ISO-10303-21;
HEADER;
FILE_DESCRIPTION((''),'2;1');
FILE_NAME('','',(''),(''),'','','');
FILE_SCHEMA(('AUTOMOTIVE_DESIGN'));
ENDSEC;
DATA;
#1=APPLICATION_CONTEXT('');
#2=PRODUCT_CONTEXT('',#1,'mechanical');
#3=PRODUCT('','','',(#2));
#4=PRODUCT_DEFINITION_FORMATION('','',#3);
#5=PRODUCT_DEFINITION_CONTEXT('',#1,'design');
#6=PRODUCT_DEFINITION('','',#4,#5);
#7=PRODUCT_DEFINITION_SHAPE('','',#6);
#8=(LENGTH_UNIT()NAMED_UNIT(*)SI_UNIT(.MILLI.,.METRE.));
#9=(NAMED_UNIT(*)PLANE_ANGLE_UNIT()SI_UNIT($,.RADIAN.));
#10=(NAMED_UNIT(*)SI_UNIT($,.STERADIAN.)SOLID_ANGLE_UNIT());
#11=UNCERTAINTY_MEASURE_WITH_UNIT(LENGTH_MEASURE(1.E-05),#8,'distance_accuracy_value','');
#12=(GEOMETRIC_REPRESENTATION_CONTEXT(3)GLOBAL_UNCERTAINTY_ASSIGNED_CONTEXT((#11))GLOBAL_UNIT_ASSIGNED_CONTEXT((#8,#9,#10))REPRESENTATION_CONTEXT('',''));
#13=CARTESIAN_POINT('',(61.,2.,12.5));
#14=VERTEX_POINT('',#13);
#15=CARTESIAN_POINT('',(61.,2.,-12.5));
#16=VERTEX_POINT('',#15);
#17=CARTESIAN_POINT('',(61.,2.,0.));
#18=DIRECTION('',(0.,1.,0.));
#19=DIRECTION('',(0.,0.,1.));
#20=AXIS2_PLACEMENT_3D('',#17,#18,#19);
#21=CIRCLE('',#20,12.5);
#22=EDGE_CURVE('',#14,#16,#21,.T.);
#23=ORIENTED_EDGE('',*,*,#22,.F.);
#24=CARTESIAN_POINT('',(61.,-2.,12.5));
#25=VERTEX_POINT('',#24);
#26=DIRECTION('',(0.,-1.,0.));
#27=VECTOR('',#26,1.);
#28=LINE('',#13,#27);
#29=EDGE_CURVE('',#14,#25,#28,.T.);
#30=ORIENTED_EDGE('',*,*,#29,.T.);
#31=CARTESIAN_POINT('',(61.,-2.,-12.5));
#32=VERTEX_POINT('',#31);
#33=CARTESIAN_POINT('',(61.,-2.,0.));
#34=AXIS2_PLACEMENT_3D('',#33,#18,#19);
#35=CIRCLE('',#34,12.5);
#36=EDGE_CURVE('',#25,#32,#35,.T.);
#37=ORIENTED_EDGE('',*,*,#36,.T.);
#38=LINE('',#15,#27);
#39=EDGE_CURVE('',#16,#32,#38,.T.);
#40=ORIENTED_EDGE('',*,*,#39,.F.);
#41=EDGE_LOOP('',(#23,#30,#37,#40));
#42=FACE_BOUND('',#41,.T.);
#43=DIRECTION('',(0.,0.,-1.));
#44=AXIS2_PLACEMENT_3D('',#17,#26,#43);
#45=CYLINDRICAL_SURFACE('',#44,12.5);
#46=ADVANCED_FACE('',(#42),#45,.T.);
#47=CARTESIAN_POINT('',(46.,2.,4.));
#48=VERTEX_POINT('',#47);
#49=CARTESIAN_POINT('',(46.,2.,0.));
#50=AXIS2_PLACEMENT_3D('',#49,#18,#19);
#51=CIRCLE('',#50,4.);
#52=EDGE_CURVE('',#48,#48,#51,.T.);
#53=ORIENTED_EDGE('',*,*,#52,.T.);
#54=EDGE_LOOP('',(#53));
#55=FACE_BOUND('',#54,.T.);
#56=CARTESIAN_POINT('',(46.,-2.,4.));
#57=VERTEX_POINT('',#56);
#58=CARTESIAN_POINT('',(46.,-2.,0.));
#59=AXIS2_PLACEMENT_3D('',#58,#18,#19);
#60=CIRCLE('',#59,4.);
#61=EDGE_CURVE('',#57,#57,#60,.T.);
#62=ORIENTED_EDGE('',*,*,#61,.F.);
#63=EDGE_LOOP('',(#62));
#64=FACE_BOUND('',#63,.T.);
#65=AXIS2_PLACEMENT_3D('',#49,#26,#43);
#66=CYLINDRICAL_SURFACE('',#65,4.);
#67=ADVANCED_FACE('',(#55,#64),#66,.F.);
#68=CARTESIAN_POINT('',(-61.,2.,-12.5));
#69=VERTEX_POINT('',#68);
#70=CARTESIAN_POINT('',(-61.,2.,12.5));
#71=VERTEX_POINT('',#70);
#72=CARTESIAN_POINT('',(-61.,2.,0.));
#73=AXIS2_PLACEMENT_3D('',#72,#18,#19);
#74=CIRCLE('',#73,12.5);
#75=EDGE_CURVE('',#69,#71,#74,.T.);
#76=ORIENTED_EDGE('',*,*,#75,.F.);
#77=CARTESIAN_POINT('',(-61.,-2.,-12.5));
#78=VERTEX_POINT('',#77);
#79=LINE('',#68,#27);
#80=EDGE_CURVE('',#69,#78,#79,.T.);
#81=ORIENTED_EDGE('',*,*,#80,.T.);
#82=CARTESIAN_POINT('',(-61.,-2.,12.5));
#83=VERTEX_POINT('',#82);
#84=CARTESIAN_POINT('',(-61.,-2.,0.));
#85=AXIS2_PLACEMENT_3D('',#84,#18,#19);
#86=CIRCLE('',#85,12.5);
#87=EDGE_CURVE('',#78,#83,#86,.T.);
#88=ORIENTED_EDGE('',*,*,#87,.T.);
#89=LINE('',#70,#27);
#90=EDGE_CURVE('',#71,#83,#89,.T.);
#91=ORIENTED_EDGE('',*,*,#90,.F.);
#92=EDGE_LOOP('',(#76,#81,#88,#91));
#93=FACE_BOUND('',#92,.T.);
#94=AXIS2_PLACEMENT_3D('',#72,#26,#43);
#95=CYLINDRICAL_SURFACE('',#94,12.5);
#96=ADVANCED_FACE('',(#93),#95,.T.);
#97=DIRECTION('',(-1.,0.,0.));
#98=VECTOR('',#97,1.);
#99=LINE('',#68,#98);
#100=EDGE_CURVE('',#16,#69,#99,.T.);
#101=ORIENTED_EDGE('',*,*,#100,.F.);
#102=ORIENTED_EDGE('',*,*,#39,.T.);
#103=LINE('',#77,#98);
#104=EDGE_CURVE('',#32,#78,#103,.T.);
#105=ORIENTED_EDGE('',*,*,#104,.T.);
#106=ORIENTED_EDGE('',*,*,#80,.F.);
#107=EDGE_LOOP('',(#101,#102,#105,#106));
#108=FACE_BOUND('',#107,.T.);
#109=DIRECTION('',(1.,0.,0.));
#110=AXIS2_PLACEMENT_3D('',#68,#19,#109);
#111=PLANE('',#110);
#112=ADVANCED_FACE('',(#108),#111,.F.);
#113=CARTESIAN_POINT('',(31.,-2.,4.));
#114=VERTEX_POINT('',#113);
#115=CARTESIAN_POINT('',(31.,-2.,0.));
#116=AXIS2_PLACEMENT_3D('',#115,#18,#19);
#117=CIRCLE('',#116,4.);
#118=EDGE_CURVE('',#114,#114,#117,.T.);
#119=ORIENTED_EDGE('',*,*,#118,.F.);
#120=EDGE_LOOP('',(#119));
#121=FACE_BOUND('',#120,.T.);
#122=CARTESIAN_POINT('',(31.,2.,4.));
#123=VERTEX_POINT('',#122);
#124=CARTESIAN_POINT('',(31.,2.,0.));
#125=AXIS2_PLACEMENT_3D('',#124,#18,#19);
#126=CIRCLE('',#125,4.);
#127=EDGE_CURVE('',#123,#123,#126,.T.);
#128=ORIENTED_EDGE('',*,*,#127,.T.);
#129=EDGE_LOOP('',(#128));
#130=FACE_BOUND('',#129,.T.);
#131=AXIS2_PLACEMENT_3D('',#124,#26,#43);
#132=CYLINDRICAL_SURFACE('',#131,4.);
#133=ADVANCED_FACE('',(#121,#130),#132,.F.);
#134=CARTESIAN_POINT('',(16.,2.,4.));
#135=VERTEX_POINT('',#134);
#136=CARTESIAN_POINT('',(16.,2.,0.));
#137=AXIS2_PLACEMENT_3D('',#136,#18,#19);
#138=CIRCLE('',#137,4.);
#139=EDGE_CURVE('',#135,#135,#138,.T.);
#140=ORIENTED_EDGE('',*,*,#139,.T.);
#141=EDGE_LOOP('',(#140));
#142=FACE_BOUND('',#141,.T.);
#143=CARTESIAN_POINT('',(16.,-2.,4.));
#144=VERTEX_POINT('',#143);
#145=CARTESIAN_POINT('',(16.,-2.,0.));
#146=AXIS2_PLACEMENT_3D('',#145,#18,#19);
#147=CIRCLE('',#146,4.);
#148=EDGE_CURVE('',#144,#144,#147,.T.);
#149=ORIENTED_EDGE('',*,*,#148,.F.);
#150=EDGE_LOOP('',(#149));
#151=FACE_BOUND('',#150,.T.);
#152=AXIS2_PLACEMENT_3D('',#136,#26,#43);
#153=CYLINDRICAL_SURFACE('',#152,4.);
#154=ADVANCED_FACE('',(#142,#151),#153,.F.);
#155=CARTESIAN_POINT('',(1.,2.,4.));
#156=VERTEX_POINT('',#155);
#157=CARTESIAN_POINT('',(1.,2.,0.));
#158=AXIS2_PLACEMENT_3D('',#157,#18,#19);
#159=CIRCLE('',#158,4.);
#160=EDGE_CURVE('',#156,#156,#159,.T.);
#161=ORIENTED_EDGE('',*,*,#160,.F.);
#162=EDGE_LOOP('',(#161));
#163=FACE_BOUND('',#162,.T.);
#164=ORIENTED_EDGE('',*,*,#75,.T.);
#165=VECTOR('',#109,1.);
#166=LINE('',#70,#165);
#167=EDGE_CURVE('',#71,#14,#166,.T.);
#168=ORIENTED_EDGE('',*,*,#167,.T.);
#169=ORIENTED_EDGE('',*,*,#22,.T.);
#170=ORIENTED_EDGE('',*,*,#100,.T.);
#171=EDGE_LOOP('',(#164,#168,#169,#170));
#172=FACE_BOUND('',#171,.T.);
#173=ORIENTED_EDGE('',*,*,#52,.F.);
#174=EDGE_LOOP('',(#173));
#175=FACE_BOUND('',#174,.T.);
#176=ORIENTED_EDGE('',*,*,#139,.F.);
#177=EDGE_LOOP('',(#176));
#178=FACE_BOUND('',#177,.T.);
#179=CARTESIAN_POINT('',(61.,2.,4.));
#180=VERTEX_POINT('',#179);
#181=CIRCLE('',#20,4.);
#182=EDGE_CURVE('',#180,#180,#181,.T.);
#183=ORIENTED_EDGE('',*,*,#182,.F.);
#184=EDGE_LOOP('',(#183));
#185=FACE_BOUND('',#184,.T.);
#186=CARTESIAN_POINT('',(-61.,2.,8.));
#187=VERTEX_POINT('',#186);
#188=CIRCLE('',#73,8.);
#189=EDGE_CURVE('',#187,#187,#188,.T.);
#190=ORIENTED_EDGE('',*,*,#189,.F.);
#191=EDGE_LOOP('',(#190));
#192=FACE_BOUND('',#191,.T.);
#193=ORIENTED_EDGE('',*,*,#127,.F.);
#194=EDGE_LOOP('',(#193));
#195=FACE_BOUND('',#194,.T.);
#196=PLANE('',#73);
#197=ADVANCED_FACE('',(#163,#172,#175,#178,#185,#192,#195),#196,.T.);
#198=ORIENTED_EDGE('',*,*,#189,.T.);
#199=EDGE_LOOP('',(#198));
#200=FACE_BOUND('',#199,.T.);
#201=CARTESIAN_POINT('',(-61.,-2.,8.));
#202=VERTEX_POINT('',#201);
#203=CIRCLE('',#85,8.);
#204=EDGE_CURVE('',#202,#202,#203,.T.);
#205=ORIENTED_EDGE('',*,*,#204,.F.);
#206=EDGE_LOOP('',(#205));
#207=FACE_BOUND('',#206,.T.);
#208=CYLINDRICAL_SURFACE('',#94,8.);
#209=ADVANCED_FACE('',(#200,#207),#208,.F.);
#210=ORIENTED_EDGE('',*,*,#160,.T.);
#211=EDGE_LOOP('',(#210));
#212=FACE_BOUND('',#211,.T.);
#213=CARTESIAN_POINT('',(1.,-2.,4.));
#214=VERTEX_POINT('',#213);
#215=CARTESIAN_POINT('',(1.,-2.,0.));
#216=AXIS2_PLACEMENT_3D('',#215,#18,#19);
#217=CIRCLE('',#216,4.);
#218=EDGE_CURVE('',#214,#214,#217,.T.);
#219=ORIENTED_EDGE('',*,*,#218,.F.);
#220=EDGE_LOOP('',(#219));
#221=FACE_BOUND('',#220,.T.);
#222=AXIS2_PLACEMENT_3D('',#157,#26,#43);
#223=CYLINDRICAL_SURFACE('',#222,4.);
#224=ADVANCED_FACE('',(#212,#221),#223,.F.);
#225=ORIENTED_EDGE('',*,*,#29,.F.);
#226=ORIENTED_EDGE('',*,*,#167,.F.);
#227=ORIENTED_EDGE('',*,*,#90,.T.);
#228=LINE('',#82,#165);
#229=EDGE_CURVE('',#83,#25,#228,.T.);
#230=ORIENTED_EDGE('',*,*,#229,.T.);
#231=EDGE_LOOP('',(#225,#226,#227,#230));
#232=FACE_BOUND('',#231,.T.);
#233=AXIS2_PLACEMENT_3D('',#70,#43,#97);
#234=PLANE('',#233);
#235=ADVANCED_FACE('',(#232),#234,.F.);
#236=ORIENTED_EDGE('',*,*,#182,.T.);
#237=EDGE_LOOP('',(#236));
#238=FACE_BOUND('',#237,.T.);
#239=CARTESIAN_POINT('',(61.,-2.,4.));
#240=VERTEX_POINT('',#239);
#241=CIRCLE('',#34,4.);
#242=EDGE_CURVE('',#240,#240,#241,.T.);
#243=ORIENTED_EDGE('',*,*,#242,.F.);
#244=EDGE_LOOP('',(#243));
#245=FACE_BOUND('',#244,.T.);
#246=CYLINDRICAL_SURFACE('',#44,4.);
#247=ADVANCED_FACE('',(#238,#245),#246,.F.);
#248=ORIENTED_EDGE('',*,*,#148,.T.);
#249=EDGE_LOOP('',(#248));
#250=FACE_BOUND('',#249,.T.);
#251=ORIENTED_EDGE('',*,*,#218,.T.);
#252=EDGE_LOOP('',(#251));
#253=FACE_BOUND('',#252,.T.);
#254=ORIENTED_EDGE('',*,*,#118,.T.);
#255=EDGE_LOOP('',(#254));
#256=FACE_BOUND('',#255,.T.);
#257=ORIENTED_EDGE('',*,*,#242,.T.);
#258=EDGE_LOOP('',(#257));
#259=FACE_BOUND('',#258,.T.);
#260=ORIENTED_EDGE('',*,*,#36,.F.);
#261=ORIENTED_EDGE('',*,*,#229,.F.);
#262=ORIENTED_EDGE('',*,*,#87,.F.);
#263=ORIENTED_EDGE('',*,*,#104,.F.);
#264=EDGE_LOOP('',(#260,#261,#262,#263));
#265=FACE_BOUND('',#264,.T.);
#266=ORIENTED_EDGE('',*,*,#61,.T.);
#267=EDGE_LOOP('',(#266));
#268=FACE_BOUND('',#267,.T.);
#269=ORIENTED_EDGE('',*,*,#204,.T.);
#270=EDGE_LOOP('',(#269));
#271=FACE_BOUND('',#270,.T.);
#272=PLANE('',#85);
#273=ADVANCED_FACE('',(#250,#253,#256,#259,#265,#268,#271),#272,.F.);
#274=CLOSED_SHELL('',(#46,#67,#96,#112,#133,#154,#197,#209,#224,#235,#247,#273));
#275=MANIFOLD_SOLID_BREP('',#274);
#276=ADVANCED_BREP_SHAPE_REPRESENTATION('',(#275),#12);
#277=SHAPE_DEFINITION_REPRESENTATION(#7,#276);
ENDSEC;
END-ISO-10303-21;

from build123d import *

# Parameters (mm, degrees)
SKETCH1_R           = 8
SKETCH1_R_2         = 4
BOSS_EXTRUDE1_DEPTH = 2


with BuildPart() as part:
    # Sketch1 → Boss-Extrude1 (new body, symmetric)
    with BuildSketch(Plane(origin=(0, 0, 0), x_dir=(1, 0, 0), z_dir=(0, 1, 0))):
        with BuildLine():
            Line((-61, 12.5), (61, 12.5))
            ThreePointArc((61, 12.5), (73.5, 0), (61, -12.5))
            Line((61, -12.5), (-61, -12.5))
            ThreePointArc((-61, -12.5), (-73.5, 0), (-61, 12.5))
        make_face()
        with Locations((-61, 0)):
            Circle(SKETCH1_R, mode=Mode.SUBTRACT)
        with Locations((1, 0)):
            Circle(SKETCH1_R_2, mode=Mode.SUBTRACT)
        with Locations((16, 0)):
            Circle(SKETCH1_R_2, mode=Mode.SUBTRACT)
        with Locations((31, 0)):
            Circle(SKETCH1_R_2, mode=Mode.SUBTRACT)
        with Locations((46, 0)):
            Circle(SKETCH1_R_2, mode=Mode.SUBTRACT)
        with Locations((61, 0)):
            Circle(SKETCH1_R_2, mode=Mode.SUBTRACT)
    extrude(amount=BOSS_EXTRUDE1_DEPTH, both=True)


solid = part.part
